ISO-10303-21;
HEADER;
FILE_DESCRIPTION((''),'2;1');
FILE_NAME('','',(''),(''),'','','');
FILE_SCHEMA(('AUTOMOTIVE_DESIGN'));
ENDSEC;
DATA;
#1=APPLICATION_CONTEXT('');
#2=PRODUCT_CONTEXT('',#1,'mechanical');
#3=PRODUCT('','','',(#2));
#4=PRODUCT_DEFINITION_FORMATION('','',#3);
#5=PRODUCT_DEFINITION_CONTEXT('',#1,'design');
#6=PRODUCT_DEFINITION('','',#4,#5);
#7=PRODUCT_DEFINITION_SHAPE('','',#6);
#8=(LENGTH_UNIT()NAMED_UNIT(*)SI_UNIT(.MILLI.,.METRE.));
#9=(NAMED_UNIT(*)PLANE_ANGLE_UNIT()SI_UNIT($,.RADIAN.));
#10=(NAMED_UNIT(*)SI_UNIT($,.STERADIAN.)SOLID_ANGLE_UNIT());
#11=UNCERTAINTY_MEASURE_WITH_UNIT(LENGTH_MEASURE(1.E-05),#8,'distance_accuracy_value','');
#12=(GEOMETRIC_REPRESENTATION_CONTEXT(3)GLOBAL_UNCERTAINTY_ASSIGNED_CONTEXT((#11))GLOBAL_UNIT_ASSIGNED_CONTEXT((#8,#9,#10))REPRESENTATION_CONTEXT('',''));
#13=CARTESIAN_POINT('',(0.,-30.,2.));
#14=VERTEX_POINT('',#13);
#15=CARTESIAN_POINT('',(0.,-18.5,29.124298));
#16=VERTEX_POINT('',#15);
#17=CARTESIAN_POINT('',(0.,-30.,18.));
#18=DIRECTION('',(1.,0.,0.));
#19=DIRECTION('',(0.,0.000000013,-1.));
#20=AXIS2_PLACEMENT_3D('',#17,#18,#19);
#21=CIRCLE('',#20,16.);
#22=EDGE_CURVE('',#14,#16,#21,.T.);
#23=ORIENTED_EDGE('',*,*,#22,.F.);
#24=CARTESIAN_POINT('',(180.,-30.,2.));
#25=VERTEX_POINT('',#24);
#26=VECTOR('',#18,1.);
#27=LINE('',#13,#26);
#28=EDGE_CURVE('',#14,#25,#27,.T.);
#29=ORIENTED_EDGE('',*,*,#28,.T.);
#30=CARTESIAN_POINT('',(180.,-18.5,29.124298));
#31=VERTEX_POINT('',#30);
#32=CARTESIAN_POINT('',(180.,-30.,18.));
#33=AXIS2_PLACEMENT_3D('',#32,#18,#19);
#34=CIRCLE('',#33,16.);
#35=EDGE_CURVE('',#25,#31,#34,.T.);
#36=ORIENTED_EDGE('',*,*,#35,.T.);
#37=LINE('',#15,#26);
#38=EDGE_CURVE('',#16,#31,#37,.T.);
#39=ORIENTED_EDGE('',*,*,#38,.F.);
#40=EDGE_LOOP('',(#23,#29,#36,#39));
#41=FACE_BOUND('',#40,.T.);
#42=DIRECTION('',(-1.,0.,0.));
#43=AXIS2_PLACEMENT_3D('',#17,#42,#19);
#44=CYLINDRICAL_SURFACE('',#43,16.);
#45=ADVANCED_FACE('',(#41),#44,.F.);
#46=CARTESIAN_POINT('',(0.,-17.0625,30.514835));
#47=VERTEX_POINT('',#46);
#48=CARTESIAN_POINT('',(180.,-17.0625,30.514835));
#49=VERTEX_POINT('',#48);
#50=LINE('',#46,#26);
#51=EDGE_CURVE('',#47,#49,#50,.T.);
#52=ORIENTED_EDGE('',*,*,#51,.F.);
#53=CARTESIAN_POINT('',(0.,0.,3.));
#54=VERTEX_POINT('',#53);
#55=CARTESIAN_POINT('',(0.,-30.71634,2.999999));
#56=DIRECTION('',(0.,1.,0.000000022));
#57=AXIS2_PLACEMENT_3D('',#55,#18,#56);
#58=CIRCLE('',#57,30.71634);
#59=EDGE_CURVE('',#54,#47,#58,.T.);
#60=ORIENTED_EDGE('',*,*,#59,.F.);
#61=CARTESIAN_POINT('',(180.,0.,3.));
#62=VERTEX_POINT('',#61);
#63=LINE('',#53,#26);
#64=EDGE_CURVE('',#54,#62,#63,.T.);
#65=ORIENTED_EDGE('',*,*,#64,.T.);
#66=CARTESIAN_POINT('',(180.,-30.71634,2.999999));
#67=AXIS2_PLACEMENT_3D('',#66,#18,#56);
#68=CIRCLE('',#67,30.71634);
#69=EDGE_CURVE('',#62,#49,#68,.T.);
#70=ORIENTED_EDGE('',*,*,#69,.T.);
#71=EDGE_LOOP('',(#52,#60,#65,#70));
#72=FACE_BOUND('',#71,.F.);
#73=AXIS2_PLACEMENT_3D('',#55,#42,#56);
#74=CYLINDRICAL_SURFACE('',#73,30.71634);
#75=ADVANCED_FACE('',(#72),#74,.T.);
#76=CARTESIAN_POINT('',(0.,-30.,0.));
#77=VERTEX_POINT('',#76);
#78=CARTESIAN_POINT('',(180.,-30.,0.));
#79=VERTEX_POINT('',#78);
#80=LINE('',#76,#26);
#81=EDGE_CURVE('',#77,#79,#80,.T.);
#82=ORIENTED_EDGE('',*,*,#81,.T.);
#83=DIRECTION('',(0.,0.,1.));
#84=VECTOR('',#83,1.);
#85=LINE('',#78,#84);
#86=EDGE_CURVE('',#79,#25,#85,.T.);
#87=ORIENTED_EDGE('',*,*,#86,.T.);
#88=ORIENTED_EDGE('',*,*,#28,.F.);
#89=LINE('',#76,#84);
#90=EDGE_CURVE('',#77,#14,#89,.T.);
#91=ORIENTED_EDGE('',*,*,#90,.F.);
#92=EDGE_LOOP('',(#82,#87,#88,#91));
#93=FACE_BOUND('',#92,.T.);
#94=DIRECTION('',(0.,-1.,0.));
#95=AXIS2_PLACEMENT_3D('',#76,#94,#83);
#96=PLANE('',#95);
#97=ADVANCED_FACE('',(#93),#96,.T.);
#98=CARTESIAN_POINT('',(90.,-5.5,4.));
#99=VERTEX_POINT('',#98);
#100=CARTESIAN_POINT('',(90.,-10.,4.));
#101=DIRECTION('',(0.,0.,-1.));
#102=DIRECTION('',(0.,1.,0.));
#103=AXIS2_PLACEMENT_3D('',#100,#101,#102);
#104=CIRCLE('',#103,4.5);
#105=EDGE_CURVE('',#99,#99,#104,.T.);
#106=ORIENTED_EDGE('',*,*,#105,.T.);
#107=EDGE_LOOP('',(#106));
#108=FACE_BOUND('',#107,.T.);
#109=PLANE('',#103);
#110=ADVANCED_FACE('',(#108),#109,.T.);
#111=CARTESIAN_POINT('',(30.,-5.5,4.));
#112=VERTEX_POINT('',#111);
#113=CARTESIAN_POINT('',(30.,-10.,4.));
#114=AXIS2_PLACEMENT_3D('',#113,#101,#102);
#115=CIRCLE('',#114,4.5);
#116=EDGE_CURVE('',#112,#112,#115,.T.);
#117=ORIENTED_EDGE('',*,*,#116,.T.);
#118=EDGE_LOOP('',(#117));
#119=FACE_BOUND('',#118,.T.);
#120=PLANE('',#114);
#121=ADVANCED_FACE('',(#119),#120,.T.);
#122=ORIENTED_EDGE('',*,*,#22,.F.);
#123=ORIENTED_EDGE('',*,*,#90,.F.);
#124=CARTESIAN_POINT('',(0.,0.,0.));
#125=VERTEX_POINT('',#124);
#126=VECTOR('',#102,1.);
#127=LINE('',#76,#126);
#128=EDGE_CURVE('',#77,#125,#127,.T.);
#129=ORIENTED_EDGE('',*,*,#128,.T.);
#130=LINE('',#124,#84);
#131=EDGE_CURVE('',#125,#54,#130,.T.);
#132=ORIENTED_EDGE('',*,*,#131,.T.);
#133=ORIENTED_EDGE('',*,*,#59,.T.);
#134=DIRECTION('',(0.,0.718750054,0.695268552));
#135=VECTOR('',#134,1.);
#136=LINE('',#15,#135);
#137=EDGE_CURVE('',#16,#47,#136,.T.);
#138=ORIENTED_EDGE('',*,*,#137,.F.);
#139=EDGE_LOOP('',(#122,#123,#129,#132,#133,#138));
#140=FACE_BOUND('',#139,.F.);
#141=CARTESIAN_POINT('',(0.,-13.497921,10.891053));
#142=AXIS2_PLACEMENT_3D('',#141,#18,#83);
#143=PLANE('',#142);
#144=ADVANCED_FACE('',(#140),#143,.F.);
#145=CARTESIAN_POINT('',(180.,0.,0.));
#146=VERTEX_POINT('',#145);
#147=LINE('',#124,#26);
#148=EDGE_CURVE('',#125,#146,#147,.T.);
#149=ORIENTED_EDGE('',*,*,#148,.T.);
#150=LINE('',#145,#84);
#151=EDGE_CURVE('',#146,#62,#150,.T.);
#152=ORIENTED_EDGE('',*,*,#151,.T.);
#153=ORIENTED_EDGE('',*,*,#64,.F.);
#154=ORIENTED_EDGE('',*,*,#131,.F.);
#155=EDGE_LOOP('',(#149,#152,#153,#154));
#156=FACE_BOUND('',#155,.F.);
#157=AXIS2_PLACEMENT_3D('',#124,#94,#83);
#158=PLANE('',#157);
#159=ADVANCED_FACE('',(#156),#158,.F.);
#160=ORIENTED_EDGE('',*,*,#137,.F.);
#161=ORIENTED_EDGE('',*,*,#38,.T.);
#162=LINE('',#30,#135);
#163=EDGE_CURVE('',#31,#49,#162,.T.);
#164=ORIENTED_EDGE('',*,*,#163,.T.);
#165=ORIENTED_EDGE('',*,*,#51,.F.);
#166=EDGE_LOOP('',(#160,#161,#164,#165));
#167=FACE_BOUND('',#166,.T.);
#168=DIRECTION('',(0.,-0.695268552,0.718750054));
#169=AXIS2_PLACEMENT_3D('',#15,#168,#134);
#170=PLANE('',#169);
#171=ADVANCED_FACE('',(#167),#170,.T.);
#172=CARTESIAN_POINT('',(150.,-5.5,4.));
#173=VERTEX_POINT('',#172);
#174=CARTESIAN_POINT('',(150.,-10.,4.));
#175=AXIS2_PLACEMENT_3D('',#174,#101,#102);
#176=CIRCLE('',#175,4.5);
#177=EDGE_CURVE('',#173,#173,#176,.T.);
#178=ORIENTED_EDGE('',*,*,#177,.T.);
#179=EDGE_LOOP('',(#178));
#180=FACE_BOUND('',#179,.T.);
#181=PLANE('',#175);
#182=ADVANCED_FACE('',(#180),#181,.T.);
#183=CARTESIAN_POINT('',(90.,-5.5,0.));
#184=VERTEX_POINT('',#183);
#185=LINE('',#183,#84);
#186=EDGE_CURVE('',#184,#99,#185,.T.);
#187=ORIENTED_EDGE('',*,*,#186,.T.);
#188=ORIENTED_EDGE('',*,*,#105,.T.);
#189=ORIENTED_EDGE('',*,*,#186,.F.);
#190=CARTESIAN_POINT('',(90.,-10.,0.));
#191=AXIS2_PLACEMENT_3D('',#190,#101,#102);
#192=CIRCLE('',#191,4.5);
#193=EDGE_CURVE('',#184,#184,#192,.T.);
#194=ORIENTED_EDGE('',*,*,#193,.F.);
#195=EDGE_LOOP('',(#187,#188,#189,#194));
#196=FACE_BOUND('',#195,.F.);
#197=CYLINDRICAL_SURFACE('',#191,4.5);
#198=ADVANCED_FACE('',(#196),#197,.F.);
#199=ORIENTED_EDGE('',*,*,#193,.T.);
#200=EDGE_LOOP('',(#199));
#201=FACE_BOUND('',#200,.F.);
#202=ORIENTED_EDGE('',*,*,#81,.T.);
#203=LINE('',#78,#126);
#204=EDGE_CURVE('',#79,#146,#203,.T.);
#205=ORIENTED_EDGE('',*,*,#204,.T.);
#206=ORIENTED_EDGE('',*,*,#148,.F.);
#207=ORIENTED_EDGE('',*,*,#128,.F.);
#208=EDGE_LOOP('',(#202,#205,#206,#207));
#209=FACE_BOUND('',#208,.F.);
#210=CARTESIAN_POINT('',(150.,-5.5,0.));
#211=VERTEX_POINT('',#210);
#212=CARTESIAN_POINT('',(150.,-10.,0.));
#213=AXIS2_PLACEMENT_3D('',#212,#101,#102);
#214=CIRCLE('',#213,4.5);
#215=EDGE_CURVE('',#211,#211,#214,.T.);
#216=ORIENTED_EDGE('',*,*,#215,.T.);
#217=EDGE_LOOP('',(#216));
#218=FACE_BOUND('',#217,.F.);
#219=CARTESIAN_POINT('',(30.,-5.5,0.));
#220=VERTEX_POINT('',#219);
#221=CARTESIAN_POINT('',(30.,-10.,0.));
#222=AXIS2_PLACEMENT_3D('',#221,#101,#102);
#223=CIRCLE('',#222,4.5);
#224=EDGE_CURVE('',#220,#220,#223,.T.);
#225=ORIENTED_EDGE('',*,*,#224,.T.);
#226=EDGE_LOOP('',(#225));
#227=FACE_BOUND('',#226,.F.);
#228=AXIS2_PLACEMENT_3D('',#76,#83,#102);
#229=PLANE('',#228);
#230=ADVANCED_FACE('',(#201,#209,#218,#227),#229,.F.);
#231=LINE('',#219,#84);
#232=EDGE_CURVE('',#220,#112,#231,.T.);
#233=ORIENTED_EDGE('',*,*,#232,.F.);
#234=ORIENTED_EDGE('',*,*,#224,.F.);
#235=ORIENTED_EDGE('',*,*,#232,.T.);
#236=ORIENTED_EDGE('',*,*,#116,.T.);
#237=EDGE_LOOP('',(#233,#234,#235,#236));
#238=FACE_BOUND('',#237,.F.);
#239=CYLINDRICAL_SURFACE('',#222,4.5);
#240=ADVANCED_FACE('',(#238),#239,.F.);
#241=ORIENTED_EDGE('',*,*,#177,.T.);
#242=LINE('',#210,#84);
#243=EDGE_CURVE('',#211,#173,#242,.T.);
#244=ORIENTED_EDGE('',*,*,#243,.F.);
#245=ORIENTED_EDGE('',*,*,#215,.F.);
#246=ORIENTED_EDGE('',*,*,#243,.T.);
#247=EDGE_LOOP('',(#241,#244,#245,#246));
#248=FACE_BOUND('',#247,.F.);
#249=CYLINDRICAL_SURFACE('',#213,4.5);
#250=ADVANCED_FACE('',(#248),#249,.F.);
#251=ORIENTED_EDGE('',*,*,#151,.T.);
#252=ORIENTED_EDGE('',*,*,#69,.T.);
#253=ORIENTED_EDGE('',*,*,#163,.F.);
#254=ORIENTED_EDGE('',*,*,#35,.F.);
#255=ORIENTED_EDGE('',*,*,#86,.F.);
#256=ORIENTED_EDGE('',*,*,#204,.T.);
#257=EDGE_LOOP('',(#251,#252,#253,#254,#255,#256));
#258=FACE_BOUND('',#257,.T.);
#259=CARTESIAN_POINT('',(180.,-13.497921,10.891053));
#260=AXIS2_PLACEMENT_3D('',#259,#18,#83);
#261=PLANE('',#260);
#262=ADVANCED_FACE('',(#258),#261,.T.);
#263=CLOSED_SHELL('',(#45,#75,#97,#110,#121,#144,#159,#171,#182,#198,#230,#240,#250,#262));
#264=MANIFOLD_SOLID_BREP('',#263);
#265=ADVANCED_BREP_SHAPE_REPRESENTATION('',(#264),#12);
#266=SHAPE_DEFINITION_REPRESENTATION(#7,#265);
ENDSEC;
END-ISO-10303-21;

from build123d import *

# Parameters (mm, degrees)
PAD_DEPTH            = 180
SKETCH001_R          = 4.5
POCKET_DEPTH         = 4
LINEARPATTERN_COUNT  = 3
LINEARPATTERN_PITCH  = 60
BODY_PLACEMENT_ANGLE = 90


with BuildPart() as part:
    # Sketch → Pad (new body)
    with BuildSketch(Plane.YZ):
        with BuildLine():
            Line((0, 30), (0, 0))
            Line((0, 0), (3, 0))
            ThreePointArc((3, 0), (19.18792, 4.611843), (30.514835, 17.0625))
            Line((29.124298, 18.5), (30.514835, 17.0625))
            ThreePointArc((2, 30), (11.754552, 15.269271), (29.124298, 18.5))
            Line((0, 30), (2, 30))
        make_face()
    extrude(amount=PAD_DEPTH)

    # Sketch001 (on Face1 of Pad) → Pocket (cut)
    with BuildSketch(Plane(origin=(0, 0, 0), x_dir=(0, 0, -1), z_dir=(0, -1, 0))):
        with Locations((-10, 30)):
            Circle(SKETCH001_R)
    pocket = extrude(amount=-POCKET_DEPTH, mode=Mode.SUBTRACT)

    # LinearPattern: Pocket ×3
    with Locations(*[(i * LINEARPATTERN_PITCH, 0, 0) for i in range(1, LINEARPATTERN_COUNT)]):
        add(pocket, mode=Mode.SUBTRACT)


with BuildPart() as part_1:
    # Body placement: moved
    add(part.part.rotate(Axis((0, 0, 0), (1, 0, 0)), BODY_PLACEMENT_ANGLE))


solid = part_1.part
